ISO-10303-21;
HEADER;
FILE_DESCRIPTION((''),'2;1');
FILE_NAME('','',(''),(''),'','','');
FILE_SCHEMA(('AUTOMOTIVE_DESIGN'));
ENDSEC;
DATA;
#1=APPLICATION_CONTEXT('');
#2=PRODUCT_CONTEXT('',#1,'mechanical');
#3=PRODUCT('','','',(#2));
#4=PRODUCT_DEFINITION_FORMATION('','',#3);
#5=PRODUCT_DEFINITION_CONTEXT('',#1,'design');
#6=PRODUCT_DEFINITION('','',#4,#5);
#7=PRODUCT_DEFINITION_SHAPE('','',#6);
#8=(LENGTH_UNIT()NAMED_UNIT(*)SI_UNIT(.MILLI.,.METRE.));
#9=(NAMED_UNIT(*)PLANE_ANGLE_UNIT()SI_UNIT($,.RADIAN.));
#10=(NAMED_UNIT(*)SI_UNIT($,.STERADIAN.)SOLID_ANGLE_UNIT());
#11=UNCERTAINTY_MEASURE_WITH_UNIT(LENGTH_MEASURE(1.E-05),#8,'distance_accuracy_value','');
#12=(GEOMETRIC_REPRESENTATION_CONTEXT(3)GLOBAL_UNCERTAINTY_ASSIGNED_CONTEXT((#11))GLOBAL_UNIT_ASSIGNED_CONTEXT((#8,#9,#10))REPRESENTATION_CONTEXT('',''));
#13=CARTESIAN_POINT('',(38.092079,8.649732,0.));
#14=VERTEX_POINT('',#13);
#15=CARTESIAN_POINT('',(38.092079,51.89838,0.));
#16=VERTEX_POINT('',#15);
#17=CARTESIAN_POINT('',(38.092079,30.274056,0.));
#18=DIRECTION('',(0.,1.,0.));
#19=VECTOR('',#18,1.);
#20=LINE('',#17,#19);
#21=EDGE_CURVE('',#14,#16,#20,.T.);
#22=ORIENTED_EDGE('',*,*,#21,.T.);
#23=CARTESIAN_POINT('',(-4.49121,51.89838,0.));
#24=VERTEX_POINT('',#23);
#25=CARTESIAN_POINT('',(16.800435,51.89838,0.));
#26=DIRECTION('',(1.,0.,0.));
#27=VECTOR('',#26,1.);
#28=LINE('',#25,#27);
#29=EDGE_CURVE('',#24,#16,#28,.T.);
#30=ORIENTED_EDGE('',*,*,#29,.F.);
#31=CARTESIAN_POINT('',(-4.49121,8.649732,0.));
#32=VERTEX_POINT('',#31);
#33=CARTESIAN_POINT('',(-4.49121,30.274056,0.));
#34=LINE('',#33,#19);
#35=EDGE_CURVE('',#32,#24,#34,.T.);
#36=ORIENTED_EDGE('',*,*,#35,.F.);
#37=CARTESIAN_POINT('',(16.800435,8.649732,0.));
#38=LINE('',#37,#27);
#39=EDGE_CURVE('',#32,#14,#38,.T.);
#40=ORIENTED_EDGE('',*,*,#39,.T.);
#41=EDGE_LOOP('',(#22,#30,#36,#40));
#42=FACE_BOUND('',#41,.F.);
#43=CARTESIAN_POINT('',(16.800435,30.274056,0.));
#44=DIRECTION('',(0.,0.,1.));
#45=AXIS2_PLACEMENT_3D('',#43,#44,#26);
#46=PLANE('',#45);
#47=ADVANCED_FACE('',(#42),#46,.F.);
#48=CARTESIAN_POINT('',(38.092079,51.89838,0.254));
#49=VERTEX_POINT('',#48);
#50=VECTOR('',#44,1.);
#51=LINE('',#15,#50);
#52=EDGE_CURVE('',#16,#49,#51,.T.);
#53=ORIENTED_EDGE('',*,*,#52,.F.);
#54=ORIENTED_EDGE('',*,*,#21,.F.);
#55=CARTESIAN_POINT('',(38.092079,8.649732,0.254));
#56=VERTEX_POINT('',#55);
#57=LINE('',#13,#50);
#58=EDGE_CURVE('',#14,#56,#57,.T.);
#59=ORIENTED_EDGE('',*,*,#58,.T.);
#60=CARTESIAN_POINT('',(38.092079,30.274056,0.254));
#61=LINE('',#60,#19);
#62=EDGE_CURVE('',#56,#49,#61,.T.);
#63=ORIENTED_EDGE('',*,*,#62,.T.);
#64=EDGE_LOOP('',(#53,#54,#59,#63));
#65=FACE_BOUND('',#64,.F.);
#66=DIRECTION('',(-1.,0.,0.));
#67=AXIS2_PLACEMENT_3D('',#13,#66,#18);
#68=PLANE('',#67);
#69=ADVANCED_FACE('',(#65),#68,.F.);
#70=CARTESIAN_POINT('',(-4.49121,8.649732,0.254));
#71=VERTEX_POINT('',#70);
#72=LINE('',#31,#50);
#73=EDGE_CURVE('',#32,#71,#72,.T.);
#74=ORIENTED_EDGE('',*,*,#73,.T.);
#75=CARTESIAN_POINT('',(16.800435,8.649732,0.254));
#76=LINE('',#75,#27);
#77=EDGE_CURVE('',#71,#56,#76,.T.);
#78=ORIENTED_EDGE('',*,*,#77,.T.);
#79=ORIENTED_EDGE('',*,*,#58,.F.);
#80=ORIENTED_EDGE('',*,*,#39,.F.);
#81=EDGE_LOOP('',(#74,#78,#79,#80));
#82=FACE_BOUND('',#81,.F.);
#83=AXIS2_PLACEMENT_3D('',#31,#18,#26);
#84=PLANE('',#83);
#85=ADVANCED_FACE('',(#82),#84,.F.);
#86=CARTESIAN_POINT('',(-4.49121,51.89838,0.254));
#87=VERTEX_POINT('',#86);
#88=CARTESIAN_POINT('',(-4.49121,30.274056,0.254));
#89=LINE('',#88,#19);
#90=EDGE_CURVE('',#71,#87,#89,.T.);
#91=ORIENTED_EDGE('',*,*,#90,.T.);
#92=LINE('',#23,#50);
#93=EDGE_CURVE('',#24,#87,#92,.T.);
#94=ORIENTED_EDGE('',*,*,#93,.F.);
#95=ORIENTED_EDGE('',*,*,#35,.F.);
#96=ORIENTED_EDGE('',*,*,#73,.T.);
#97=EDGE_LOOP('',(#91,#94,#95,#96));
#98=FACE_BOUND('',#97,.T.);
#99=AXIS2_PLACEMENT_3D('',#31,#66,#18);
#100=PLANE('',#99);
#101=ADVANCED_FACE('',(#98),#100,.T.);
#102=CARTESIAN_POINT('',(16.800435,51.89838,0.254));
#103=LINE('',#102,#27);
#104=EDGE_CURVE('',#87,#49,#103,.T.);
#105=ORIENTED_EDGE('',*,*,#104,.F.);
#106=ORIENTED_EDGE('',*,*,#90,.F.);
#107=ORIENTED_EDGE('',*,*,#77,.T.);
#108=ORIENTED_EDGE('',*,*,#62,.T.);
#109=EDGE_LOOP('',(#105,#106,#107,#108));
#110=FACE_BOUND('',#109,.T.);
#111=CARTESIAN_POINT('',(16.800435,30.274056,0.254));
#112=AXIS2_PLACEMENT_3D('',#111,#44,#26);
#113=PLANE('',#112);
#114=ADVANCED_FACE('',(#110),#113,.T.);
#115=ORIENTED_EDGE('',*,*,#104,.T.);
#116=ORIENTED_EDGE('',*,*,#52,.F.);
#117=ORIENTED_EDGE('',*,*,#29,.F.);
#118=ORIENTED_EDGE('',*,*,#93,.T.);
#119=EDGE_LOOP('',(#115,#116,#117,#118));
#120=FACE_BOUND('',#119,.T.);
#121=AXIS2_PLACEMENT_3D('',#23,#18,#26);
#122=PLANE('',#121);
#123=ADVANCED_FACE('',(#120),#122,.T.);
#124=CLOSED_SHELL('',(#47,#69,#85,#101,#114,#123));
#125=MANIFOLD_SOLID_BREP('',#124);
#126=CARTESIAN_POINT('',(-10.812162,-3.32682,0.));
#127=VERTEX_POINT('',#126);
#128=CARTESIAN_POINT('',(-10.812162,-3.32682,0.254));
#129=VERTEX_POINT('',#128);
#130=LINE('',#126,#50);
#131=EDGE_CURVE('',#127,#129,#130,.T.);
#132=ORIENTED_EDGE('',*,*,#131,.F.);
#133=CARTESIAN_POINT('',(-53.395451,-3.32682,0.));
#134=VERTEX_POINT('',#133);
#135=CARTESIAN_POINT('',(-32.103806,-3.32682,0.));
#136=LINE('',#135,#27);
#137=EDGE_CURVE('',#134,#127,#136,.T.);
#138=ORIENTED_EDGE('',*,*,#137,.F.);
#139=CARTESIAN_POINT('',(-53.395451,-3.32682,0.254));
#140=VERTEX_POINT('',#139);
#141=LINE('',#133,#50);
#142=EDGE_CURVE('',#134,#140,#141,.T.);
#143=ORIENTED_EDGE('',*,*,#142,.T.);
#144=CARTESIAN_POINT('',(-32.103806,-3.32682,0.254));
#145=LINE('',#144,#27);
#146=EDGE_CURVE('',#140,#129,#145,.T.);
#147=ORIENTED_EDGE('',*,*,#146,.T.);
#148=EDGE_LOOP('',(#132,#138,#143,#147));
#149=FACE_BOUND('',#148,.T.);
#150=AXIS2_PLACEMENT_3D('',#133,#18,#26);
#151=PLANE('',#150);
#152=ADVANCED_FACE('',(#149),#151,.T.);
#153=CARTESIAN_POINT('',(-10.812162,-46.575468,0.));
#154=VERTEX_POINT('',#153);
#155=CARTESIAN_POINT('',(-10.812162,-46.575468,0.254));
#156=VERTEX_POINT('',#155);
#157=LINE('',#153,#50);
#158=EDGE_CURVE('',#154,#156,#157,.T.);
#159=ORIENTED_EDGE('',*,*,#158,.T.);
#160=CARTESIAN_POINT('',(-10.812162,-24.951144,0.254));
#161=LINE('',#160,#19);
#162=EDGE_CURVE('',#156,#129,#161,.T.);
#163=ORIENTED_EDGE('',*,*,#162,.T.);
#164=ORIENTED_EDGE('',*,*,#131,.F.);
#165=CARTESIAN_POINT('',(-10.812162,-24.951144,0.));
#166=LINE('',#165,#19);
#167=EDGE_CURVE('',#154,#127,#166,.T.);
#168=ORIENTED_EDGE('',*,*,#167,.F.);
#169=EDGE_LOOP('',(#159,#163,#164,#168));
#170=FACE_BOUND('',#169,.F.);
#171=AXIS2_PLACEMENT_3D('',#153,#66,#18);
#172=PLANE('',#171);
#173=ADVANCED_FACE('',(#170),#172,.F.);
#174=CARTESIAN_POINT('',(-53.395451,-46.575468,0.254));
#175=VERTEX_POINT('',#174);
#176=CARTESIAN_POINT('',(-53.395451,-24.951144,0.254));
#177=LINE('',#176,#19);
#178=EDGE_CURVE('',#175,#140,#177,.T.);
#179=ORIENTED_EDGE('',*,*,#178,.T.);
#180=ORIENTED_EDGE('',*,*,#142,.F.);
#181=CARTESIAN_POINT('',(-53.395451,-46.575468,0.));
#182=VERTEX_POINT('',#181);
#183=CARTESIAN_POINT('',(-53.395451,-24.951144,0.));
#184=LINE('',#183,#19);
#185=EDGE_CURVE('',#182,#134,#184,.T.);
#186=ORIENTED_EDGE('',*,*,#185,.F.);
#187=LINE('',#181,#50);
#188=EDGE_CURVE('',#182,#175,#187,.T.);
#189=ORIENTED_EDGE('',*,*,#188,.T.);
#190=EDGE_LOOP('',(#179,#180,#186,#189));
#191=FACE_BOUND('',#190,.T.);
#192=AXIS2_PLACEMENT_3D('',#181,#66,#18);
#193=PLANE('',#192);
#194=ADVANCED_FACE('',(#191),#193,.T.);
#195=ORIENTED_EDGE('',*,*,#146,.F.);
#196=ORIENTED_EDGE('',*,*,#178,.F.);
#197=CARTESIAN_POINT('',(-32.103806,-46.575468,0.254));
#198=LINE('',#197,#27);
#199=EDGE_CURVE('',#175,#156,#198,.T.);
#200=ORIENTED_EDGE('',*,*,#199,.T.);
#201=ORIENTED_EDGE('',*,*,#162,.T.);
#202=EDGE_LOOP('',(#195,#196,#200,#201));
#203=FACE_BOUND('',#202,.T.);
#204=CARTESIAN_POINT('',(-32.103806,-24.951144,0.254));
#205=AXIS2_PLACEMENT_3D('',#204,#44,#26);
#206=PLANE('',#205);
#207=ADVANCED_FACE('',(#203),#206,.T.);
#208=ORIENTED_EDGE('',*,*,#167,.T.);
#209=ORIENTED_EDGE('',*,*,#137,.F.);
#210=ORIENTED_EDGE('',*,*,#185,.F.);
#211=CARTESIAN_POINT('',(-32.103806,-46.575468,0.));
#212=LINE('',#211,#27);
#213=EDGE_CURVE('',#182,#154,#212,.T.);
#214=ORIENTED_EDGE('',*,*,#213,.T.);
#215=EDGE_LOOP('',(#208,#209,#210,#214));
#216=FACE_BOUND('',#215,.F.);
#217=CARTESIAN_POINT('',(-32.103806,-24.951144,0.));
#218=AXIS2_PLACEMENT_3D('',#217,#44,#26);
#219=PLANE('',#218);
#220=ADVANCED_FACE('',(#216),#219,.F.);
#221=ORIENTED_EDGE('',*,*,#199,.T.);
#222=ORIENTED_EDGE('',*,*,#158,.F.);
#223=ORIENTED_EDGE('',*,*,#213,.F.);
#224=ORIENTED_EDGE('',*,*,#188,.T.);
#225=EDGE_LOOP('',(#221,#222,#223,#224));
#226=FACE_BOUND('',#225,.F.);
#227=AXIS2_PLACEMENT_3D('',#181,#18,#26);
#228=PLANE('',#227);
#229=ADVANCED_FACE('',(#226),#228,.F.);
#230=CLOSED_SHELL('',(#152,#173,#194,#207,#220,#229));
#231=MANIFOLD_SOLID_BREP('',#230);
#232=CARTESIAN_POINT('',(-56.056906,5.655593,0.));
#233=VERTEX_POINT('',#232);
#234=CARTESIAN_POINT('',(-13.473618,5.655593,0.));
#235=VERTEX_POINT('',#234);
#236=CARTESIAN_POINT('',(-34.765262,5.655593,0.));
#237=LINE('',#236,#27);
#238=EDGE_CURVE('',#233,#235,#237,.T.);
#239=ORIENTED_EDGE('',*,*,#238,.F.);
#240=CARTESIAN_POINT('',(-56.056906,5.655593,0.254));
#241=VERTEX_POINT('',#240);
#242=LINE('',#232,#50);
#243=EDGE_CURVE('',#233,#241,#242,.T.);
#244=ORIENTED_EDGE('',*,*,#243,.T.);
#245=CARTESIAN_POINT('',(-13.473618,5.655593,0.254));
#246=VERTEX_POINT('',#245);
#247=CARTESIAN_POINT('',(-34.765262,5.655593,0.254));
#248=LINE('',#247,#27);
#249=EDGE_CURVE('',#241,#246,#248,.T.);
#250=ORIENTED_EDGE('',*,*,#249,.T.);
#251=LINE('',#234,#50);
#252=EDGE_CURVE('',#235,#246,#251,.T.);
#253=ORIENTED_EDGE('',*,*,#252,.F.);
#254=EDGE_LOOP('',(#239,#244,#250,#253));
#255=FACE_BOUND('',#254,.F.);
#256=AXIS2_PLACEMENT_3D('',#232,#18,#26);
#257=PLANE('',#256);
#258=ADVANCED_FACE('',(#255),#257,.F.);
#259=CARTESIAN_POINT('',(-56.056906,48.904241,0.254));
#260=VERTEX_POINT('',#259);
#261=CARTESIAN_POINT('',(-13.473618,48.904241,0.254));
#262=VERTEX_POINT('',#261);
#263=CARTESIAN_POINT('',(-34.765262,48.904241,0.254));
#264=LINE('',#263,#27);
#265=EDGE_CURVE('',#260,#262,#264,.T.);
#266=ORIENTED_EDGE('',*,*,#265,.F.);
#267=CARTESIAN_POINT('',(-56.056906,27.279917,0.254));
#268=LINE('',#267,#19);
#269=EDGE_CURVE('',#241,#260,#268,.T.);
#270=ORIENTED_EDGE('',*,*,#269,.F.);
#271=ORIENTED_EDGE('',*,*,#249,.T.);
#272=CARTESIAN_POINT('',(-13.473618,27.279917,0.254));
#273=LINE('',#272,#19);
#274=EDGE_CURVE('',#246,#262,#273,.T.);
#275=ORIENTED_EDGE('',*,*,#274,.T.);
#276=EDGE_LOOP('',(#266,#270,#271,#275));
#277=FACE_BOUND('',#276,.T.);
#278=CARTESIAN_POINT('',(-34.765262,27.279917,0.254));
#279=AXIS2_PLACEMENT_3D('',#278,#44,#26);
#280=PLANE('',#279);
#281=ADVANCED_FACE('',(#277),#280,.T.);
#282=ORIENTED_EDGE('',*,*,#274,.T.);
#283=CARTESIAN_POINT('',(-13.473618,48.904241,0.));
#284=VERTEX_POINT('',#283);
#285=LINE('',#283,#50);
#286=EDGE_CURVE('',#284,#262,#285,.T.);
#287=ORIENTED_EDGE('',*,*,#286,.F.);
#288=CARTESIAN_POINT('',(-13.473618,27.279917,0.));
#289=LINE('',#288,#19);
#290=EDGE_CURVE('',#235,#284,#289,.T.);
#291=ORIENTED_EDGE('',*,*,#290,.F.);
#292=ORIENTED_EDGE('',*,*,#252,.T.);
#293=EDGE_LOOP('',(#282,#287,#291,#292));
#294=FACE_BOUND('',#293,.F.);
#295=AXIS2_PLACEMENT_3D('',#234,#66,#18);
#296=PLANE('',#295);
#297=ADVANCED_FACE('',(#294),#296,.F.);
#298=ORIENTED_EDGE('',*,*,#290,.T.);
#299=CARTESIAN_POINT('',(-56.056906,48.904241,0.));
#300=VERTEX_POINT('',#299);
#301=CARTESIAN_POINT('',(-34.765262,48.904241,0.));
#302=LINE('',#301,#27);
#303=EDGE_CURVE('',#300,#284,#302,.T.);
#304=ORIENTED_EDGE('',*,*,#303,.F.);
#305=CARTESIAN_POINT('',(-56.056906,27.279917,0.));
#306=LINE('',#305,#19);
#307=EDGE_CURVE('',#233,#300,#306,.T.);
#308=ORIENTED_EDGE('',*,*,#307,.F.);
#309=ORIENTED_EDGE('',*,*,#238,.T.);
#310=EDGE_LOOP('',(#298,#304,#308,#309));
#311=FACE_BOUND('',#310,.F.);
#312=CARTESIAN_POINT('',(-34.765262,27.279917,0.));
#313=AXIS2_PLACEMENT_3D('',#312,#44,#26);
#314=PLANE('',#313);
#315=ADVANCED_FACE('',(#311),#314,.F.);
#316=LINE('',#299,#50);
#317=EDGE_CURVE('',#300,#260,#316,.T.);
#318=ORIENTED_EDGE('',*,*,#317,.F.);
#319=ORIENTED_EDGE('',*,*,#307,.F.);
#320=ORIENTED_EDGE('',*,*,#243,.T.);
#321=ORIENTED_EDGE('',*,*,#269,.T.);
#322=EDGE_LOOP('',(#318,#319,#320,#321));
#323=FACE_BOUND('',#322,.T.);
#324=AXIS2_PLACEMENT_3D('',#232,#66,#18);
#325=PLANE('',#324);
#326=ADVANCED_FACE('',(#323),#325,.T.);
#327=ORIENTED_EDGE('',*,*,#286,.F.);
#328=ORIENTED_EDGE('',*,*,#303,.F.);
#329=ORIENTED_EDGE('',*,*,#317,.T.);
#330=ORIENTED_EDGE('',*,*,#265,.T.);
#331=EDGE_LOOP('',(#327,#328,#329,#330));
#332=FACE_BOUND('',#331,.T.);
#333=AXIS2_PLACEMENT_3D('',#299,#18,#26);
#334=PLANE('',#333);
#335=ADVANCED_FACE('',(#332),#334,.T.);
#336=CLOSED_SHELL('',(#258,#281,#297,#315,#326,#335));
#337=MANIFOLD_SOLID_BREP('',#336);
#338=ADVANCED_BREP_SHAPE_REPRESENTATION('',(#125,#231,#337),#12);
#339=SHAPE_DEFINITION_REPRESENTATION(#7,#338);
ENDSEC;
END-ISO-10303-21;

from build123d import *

# Parameters (mm, degrees)
F0_W     = 42.583288
F0_H     = 43.248649
F1_DEPTH = 0.254
F0_W_2   = 42.583289
F0_H_2   = 43.248648
F2_DEPTH = 0.254


with BuildPart() as f1:
    # F0 (on Top) → F1 (new body)
    with BuildSketch(Plane.XY):
        with Locations((-34.765262, 27.279917)):
            Rectangle(F0_W, F0_H)
    extrude(amount=F1_DEPTH)

    # F0 (on Top) → F2 (join)
    with BuildSketch(Plane.XY):
        with Locations((-34.765262, 27.279917)):
            Rectangle(F0_W, F0_H)
        with Locations((16.800435, 30.274056)):
            Rectangle(F0_W_2, F0_H_2)
        with Locations((-32.103806, -24.951144)):
            Rectangle(F0_W_2, F0_H)
    extrude(amount=F2_DEPTH)


solid = f1.part
